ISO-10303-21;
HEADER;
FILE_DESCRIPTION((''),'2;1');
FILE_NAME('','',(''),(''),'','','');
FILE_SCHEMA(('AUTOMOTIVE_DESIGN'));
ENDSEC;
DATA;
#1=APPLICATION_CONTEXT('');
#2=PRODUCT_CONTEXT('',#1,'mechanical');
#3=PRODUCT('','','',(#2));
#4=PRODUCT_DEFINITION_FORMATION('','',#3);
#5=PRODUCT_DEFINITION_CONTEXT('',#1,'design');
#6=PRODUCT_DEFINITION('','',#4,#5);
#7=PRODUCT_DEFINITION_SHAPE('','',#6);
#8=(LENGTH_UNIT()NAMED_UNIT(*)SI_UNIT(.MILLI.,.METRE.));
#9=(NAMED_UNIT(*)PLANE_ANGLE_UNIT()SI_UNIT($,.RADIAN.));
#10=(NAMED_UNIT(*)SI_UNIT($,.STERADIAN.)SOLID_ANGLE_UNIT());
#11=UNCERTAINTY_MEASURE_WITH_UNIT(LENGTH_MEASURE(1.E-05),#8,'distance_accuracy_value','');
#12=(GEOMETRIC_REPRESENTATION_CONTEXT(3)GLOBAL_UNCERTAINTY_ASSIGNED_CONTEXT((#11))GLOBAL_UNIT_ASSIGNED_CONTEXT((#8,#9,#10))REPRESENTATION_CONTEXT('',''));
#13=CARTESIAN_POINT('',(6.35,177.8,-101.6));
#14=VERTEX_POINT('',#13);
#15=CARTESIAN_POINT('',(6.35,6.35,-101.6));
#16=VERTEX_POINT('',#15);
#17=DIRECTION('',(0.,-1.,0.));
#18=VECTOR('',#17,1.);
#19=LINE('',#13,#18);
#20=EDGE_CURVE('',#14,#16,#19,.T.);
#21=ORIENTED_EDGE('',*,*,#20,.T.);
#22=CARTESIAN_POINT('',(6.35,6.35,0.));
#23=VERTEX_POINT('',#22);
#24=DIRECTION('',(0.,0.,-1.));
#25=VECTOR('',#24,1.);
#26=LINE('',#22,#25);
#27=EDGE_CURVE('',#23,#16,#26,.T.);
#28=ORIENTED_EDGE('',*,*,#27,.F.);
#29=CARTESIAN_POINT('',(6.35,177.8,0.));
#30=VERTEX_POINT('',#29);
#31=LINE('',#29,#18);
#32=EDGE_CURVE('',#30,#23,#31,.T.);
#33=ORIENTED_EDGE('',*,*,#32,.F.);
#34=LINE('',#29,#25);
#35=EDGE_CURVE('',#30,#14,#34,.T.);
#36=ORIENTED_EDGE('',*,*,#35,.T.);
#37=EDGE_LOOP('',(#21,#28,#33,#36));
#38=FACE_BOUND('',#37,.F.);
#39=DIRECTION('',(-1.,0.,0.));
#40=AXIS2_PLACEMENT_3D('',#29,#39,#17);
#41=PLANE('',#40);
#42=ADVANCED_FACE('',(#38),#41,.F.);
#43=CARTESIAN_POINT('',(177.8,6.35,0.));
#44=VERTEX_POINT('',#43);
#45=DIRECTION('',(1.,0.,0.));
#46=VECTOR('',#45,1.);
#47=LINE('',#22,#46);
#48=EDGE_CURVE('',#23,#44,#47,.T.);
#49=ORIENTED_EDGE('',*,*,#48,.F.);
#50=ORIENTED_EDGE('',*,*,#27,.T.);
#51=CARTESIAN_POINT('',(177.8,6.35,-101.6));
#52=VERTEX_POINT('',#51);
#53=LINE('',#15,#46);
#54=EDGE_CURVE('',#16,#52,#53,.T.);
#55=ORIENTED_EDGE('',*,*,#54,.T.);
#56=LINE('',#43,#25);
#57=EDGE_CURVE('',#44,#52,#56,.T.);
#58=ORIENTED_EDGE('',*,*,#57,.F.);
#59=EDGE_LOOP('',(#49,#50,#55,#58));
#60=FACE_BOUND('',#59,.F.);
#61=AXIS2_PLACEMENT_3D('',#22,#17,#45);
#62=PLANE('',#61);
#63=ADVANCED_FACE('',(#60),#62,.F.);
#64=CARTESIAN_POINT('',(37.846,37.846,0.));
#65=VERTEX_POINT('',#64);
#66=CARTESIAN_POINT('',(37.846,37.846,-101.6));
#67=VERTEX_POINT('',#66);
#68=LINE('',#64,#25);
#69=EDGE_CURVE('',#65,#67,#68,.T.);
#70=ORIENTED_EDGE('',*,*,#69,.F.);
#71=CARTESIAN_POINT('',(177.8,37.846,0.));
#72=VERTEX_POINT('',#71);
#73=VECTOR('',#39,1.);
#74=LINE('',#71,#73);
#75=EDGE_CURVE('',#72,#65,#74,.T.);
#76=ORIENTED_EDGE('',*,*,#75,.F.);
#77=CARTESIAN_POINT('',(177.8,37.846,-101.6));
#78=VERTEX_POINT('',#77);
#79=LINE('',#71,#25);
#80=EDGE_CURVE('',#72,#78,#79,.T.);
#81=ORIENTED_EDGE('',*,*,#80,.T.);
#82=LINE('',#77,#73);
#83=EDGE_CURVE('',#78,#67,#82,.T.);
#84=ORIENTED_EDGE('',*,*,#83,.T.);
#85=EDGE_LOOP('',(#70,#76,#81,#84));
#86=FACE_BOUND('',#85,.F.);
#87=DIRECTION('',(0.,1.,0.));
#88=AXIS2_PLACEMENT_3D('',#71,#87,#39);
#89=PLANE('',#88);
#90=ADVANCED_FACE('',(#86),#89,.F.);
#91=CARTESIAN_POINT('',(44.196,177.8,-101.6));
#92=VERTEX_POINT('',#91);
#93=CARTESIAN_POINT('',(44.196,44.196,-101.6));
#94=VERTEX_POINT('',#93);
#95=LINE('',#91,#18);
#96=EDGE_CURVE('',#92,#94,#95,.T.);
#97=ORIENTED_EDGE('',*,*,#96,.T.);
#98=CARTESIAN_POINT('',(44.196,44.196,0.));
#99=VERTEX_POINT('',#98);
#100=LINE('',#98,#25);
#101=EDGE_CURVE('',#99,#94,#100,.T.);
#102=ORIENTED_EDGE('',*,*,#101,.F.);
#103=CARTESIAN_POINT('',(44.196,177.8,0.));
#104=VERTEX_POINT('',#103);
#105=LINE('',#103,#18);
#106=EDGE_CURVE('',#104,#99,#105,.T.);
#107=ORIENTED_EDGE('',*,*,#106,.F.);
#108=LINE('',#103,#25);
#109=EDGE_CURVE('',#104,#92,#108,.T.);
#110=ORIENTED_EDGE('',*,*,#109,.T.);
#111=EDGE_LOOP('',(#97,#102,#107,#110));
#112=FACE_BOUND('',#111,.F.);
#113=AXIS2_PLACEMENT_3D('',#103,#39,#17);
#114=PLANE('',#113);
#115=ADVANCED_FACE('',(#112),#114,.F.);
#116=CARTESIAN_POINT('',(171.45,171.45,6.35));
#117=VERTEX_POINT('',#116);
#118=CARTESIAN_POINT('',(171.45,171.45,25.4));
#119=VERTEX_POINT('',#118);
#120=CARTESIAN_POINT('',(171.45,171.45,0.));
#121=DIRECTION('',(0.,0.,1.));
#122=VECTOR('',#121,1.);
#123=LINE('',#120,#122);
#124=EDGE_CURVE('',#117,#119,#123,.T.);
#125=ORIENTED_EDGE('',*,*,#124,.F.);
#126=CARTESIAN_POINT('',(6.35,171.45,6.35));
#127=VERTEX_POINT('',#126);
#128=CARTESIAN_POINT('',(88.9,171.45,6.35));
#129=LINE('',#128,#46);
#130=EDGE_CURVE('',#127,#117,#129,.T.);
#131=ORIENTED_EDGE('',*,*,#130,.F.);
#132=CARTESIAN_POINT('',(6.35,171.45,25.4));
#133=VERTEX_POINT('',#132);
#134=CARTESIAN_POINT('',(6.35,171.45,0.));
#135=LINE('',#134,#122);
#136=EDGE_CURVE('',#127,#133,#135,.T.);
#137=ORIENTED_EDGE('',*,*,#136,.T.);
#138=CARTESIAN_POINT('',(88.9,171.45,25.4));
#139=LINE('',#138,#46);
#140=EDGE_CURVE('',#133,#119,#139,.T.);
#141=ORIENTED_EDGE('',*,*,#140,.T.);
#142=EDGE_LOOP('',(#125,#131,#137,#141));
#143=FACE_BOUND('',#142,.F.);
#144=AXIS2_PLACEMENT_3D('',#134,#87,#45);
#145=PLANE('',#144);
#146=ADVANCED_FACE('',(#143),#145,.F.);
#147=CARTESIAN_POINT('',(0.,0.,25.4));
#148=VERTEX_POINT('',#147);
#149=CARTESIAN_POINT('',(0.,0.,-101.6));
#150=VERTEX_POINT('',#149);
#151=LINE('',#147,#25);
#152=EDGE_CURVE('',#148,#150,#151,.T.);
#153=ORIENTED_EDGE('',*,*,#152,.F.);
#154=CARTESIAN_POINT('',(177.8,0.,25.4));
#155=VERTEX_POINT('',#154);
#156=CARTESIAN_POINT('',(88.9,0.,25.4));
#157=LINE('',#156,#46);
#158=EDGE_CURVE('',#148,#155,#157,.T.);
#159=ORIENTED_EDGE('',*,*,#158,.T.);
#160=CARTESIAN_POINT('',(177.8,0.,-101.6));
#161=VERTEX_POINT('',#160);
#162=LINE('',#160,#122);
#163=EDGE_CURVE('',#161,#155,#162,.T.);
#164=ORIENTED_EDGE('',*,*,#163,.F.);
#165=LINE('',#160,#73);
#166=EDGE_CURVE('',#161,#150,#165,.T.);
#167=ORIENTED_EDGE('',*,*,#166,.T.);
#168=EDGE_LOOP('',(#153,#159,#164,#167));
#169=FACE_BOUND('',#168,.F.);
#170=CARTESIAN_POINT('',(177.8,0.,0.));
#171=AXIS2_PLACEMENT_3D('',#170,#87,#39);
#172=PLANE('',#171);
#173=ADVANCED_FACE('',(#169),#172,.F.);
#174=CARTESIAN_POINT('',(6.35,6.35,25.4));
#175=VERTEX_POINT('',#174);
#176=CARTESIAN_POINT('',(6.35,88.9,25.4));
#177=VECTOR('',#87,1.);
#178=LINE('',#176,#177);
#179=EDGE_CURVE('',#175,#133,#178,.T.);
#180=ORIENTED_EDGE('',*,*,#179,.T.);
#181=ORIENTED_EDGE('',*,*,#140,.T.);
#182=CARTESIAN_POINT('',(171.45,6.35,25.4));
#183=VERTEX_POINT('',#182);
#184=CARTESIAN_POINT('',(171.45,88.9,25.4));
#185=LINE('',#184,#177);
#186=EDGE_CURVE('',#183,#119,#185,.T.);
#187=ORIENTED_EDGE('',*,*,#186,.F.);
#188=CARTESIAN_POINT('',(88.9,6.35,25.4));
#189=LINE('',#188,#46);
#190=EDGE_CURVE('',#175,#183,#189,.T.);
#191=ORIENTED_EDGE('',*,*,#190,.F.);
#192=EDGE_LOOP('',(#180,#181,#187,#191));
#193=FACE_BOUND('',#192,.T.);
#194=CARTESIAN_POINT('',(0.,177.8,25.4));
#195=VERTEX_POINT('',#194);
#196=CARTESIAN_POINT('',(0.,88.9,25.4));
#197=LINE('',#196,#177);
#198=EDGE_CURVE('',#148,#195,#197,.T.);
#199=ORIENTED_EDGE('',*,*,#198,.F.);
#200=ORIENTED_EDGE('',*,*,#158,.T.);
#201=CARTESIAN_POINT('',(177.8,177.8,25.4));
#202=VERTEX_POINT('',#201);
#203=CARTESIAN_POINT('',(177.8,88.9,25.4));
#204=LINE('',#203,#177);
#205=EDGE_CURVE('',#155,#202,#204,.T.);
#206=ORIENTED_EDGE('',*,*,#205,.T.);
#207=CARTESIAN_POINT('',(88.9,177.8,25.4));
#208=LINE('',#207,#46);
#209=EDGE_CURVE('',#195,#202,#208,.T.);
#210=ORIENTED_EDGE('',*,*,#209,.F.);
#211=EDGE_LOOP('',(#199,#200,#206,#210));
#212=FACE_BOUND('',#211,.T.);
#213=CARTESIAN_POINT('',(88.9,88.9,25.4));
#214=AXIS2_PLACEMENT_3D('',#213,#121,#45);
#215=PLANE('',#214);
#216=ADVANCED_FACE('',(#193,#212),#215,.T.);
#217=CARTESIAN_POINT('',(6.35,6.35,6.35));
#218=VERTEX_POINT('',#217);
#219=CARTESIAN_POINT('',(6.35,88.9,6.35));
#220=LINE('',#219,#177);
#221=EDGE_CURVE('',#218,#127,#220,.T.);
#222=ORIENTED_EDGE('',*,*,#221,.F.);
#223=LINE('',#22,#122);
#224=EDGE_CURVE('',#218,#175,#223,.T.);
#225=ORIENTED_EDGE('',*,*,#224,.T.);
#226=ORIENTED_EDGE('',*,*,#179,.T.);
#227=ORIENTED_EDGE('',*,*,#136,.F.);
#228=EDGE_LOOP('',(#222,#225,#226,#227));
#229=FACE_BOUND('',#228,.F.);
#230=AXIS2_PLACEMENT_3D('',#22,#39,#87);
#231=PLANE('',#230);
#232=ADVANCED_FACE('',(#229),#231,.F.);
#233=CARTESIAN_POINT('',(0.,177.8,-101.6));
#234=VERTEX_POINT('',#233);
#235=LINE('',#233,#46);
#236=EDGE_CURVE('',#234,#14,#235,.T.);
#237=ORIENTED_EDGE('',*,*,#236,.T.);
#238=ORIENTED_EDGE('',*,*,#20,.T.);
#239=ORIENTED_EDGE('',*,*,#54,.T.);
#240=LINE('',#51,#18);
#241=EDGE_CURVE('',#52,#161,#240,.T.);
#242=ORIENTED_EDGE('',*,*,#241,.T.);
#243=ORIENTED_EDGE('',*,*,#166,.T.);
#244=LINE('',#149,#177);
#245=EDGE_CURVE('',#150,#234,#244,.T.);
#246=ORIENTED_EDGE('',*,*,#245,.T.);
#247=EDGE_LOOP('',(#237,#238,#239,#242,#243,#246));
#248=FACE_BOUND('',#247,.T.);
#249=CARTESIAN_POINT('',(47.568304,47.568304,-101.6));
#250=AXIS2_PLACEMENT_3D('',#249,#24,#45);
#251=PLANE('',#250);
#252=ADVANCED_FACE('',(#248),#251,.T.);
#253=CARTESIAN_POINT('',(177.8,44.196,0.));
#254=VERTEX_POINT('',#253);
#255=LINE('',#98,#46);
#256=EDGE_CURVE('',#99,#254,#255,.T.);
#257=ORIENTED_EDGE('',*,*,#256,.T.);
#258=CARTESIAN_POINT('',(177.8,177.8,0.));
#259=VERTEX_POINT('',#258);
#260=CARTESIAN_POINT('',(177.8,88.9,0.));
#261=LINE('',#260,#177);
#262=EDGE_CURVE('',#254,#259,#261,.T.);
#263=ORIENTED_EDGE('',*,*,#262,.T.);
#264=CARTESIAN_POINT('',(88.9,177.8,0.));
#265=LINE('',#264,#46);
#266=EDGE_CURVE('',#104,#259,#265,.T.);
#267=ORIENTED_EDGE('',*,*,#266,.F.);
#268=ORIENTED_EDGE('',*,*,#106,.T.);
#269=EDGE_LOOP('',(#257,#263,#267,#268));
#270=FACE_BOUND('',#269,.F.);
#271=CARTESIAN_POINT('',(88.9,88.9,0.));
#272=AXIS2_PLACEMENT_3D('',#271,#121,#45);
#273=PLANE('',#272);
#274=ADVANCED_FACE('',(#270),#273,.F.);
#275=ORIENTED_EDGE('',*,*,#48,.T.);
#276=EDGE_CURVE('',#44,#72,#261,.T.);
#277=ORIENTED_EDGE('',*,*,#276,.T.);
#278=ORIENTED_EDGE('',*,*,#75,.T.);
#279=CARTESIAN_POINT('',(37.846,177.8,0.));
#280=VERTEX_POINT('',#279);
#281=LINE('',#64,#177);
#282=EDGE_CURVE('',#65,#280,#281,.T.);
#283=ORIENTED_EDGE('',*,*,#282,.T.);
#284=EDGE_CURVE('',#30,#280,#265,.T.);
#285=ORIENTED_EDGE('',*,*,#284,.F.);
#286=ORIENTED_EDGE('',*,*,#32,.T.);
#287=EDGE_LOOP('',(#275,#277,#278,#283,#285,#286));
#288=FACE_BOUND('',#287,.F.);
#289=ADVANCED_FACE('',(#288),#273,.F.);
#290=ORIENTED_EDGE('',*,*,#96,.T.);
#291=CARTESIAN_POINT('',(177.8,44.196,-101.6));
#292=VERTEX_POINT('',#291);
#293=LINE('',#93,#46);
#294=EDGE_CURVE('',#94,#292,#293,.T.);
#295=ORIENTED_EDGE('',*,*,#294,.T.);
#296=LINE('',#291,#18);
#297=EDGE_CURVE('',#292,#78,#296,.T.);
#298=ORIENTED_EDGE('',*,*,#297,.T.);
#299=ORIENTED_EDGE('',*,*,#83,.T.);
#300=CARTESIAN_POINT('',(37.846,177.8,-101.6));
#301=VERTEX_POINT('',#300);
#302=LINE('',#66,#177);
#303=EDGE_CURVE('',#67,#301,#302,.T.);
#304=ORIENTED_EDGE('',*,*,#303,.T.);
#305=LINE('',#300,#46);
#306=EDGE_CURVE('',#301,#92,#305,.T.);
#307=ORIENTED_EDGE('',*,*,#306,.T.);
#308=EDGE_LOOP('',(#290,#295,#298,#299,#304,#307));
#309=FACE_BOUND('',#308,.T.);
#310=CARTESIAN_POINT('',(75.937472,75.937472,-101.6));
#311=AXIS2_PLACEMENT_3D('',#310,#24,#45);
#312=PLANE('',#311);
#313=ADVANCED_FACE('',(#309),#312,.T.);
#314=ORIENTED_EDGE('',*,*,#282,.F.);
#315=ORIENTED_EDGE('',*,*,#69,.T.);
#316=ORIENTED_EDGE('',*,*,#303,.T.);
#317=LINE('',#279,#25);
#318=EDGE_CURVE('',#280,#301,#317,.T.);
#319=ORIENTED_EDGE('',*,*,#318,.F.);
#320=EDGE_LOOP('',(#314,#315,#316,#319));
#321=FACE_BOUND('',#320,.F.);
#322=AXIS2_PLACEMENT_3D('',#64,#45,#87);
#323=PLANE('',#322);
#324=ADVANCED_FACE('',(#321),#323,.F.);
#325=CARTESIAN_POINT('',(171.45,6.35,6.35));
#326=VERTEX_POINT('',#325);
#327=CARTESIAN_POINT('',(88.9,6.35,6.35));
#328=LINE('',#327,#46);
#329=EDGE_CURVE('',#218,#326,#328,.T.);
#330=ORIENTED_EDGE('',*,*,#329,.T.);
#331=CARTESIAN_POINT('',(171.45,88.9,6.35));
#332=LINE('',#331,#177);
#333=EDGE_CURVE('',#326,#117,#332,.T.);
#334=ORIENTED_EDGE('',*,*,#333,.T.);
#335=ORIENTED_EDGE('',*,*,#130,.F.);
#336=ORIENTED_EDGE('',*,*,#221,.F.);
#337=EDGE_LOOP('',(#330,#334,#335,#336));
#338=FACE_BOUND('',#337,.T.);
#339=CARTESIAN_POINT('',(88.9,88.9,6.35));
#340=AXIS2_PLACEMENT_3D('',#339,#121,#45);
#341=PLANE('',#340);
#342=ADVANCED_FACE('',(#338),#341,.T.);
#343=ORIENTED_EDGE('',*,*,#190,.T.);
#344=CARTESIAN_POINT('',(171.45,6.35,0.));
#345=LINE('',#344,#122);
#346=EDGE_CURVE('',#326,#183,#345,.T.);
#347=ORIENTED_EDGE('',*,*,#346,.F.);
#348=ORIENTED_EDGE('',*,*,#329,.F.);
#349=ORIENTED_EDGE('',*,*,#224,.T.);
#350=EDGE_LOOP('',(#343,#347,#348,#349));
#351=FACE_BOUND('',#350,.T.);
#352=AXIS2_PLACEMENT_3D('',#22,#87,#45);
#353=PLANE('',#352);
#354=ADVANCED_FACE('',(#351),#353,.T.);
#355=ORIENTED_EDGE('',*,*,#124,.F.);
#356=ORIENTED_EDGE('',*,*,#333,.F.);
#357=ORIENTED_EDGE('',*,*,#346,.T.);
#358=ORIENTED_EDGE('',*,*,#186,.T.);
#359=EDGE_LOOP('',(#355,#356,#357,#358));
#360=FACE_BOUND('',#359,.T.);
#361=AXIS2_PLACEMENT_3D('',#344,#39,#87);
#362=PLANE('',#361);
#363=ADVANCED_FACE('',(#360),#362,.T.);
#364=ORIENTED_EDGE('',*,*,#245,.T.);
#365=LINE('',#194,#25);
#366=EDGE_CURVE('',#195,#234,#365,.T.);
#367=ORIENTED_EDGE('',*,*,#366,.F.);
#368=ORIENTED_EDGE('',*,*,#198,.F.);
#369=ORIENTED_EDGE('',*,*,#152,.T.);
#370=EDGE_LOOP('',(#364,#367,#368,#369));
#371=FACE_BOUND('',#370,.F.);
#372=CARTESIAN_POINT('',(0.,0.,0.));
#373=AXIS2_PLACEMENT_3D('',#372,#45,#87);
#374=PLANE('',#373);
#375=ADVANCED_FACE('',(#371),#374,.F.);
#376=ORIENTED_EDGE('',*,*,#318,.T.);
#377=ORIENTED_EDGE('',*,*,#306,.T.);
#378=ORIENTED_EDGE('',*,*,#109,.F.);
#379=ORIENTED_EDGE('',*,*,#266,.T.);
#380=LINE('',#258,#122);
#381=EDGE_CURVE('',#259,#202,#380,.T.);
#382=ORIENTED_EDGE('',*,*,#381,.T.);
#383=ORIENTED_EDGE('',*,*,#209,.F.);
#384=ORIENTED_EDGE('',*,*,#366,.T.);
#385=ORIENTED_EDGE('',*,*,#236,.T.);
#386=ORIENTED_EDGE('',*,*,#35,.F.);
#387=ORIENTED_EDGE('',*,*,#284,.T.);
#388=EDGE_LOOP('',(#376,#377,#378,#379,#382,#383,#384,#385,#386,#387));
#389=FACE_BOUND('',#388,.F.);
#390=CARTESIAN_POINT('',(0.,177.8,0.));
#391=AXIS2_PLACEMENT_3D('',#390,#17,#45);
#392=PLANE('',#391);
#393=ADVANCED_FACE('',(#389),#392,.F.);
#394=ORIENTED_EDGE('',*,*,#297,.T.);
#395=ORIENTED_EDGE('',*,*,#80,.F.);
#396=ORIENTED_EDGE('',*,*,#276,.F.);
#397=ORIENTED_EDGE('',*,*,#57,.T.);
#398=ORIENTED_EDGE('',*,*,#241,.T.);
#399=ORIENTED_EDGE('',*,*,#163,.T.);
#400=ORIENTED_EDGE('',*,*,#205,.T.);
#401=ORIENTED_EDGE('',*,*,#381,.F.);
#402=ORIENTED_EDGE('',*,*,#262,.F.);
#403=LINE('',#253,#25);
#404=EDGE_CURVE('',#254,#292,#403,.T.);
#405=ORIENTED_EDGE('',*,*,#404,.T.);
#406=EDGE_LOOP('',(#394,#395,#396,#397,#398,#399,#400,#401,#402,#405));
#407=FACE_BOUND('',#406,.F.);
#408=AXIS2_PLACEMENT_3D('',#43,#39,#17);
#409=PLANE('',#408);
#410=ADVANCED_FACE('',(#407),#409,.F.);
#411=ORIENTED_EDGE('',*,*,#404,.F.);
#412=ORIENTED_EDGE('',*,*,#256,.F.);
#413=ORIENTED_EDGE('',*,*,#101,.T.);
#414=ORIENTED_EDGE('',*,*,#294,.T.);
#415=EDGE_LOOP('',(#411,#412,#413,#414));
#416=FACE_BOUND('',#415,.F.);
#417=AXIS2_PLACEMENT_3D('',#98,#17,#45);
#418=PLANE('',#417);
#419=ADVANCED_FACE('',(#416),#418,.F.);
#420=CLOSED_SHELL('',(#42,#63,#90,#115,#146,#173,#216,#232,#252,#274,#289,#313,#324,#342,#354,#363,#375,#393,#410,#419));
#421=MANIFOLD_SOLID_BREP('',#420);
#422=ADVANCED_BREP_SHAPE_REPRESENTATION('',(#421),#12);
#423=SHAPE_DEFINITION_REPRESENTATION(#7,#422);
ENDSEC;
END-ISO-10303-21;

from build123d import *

# Parameters (mm, degrees)
F0_W     = 177.8
F0_H     = 177.8
F0_W_2   = 165.1
F0_H_2   = 165.1
F1_DEPTH = 25.4
F2_DEPTH = 6.35
F4_DEPTH = 101.6
F6_DEPTH = 101.6


with BuildPart() as f1:
    # F0 (on Top) → F1 (new body)
    with BuildSketch(Plane.XY):
        with Locations((88.9, 88.9)):
            Rectangle(F0_W, F0_H)
        with Locations((88.9, 88.9)):
            Rectangle(F0_W_2, F0_H_2, mode=Mode.SUBTRACT)
    extrude(amount=F1_DEPTH)

    # F0 (on Top) → F2 (join)
    with BuildSketch(Plane.XY):
        with Locations((88.9, 88.9)):
            Rectangle(F0_W_2, F0_H_2)
    extrude(amount=F2_DEPTH)

    # F3 (on face) → F4 (join)
    with BuildSketch(Plane(origin=(0, 0, 0), x_dir=(1, 0, 0), z_dir=(0, 0, -1))):
        Polygon((177.8, 0), (0, 0), (0, -177.8), (6.35, -177.8), (6.35, -6.35), (177.8, -6.35), align=None)
    extrude(amount=F4_DEPTH)

    # F5 (on face) → F6 (join)
    with BuildSketch(Plane(origin=(0, 0, 0), x_dir=(1, 0, 0), z_dir=(0, 0, -1))):
        Polygon((37.846, -37.846), (37.846, -177.8), (44.196, -177.8), (44.196, -44.196), (177.8, -44.196), (177.8, -37.846), align=None)
    extrude(amount=F6_DEPTH)


solid = f1.part
